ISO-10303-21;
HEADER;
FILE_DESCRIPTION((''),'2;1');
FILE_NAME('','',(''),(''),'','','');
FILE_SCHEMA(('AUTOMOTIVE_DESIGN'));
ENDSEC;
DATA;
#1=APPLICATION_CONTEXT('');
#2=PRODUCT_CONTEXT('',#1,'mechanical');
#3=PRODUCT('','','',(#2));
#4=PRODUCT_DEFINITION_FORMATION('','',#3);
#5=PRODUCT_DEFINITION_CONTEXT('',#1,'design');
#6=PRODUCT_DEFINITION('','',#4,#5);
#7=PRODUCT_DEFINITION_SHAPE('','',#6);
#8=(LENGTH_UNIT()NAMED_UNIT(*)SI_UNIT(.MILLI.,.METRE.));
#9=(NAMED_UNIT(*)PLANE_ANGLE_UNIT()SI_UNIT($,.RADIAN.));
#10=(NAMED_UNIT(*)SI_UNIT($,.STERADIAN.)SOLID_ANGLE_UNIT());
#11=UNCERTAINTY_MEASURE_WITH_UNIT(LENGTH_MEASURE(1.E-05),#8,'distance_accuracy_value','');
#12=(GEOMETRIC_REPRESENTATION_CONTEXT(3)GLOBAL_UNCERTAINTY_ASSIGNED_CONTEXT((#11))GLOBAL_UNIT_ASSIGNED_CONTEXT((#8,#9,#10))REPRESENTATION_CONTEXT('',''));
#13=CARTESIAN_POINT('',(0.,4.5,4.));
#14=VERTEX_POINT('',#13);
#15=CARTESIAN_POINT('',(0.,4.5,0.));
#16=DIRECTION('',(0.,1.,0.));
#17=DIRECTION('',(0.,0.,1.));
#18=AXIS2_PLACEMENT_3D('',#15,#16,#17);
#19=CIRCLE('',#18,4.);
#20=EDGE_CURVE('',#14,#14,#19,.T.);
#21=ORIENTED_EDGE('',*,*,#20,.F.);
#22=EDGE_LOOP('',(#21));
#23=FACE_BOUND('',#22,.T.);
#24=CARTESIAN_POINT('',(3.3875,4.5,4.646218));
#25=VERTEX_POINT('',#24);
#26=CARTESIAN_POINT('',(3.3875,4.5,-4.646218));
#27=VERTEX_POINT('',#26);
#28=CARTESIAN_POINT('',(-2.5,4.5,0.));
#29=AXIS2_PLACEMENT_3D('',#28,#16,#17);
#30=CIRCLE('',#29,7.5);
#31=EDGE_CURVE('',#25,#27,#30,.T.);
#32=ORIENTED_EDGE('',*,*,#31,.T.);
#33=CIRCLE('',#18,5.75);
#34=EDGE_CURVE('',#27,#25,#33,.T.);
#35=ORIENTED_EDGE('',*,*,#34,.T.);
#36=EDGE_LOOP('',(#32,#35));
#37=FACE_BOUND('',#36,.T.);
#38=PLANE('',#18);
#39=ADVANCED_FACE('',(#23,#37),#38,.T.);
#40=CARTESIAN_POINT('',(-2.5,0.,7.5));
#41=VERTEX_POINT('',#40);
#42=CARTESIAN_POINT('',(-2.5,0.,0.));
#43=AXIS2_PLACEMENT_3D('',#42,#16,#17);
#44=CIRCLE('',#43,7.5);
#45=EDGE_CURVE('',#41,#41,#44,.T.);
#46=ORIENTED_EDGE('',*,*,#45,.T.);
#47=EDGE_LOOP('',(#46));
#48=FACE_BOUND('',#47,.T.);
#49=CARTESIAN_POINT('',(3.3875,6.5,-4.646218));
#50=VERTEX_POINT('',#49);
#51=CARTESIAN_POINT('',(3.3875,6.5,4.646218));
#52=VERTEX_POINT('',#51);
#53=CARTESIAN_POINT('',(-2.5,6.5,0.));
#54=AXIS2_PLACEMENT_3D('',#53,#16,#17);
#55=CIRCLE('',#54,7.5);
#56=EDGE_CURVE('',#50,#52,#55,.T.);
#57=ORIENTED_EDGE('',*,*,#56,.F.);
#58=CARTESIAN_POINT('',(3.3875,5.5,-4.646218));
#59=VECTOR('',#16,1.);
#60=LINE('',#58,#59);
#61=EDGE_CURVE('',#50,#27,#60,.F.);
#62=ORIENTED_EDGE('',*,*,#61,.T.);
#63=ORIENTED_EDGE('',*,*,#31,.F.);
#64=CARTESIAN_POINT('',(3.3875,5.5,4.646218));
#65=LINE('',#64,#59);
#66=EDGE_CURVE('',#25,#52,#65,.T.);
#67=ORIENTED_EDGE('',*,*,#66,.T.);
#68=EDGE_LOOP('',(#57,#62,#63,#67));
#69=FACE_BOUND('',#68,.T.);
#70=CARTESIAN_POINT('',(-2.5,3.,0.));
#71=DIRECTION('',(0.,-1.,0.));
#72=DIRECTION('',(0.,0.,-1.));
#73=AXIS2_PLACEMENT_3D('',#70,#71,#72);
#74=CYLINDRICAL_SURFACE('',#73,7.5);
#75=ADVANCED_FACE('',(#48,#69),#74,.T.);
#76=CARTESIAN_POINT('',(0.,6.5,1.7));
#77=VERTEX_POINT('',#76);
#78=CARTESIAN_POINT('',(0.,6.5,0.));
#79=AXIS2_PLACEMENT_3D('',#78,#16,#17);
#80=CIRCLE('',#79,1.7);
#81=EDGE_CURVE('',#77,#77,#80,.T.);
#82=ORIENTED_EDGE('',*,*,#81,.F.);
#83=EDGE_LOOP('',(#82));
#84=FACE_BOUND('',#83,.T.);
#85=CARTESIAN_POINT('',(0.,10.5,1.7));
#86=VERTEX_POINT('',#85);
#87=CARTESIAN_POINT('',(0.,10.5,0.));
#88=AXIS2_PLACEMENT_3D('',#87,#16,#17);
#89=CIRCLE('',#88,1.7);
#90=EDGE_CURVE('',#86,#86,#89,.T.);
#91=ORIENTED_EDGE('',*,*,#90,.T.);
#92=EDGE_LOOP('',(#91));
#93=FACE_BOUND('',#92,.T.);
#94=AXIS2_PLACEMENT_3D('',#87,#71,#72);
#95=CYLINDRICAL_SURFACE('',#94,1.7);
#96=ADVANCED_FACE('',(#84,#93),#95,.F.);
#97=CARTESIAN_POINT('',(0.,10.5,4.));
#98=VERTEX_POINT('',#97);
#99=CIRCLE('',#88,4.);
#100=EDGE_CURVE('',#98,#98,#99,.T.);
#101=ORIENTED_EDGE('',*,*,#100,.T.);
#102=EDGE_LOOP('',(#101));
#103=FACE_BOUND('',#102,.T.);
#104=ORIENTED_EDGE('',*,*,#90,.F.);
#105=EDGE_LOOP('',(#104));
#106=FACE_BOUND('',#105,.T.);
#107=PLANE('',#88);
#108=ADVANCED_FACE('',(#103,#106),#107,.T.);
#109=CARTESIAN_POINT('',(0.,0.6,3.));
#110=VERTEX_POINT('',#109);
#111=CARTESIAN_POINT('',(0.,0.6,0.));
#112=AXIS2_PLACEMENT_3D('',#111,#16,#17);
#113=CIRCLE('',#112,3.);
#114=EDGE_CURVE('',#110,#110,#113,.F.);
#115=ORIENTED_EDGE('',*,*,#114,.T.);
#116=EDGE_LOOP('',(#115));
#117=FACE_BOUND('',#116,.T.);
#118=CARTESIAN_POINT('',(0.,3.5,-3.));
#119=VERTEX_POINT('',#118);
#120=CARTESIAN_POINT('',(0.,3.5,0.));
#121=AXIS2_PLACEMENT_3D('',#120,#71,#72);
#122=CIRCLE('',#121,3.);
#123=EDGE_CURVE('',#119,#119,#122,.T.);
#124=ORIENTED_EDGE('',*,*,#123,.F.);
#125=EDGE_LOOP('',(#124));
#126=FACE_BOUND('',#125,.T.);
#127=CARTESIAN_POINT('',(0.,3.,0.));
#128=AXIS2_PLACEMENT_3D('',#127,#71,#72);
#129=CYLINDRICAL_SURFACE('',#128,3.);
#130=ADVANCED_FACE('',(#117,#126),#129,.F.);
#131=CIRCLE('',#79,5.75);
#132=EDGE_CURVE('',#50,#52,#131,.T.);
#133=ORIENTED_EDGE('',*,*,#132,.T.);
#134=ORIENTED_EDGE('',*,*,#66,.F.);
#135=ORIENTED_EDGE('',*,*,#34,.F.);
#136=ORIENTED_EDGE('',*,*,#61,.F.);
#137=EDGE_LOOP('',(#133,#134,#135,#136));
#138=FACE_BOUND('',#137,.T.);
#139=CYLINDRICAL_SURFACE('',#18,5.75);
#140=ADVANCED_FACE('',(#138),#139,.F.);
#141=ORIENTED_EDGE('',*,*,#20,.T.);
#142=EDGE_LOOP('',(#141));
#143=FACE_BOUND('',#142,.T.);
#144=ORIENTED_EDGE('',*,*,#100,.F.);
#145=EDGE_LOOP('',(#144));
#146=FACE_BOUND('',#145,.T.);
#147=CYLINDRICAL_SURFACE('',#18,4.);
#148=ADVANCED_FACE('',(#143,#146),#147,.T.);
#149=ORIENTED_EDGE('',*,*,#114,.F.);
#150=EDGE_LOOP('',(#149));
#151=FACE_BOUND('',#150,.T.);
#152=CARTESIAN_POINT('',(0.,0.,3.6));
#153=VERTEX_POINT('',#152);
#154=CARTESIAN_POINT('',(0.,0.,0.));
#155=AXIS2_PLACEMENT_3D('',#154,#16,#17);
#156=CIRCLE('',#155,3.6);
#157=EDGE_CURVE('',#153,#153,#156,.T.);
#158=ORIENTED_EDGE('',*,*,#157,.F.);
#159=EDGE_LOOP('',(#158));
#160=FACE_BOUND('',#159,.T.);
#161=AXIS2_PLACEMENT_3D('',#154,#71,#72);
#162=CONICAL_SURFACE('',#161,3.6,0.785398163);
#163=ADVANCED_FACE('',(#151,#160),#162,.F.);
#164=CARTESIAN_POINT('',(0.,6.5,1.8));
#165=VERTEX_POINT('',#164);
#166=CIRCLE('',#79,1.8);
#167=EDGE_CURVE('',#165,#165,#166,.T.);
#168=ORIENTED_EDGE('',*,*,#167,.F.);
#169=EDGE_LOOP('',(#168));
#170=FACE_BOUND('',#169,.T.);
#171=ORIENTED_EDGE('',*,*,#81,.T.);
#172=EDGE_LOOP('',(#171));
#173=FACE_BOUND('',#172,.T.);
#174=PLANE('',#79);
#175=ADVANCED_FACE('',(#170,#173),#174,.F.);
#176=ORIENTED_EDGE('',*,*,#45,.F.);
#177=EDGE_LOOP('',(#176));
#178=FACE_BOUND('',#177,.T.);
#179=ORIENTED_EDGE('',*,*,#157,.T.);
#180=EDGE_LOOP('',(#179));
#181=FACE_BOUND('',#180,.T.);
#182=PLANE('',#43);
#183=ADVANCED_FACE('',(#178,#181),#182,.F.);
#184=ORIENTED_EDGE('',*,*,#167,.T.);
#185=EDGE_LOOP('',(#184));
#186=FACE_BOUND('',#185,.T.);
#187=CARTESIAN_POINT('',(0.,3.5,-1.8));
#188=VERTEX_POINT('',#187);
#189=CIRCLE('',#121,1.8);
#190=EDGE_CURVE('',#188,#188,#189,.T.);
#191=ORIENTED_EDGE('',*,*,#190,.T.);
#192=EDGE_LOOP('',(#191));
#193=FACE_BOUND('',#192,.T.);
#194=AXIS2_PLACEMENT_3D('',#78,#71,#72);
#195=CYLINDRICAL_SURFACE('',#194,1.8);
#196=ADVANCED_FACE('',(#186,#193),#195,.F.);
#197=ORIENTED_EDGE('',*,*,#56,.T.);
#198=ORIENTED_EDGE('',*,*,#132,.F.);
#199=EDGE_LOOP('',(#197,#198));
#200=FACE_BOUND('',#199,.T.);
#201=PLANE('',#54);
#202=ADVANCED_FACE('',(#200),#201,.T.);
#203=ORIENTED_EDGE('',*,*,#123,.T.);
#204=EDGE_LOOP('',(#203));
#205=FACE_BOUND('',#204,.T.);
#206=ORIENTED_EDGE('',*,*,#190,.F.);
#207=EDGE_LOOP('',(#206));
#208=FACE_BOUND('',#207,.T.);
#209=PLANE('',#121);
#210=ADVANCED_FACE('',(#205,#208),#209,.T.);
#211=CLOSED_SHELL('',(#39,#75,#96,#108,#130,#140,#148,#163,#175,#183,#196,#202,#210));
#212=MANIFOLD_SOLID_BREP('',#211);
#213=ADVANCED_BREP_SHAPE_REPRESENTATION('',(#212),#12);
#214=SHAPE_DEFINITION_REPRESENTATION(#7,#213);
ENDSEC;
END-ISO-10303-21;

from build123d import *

# Parameters (mm, degrees)
SKETCH_1_R          = 7.5
SKETCH_1_R_2        = 3
EXTRUDE_1_DEPTH     = 3
SKETCH_2_R          = 7.5
SKETCH_2_R_2        = 1.8
EXTRUDE_2_DEPTH     = 3.5
SKETCH_3_R          = 5.75
SKETCH_3_R_2        = 4
CUT_EXTRUDE_1_DEPTH = 2
SKETCH_4_R          = 4
SKETCH_4_R_2        = 1.7
EXTRUDE_3_DEPTH     = 4
SKETCH_5_R          = 3
CUT_EXTRUDE_2_DEPTH = 3.5
CHAMFER_1_SIZE      = 0.6


with BuildPart() as part:
    # Эскиз1 → Бобышка-Вытянуть1 (new body)
    with BuildSketch(Plane(origin=(0, 0, 0), x_dir=(1, 0, 0), z_dir=(0, 1, 0))):
        with Locations((-2.5, 0)):
            Circle(SKETCH_1_R)
        Circle(SKETCH_1_R_2, mode=Mode.SUBTRACT)
    extrude(amount=EXTRUDE_1_DEPTH)

    # Эскиз2 → Бобышка-Вытянуть2 (add)
    with BuildSketch(Plane(origin=(0, 3, 0), x_dir=(1, 0, 0), z_dir=(0, 1, 0))):
        with Locations((-2.5, 0)):
            Circle(SKETCH_2_R)
        Circle(SKETCH_2_R_2, mode=Mode.SUBTRACT)
    extrude(amount=EXTRUDE_2_DEPTH)

    # Эскиз3 → Вырез-Вытянуть1 (cut)
    with BuildSketch(Plane(origin=(0, 6.5, 0), x_dir=(1, 0, 0), z_dir=(0, 1, 0))):
        Circle(SKETCH_3_R)
        Circle(SKETCH_3_R_2, mode=Mode.SUBTRACT)
    extrude(amount=-CUT_EXTRUDE_1_DEPTH, mode=Mode.SUBTRACT)

    # Эскиз4 → Бобышка-Вытянуть3 (add)
    with BuildSketch(Plane(origin=(0, 6.5, 0), x_dir=(1, 0, 0), z_dir=(0, 1, 0))):
        Circle(SKETCH_4_R)
        Circle(SKETCH_4_R_2, mode=Mode.SUBTRACT)
    extrude(amount=EXTRUDE_3_DEPTH)

    # Эскиз5 → Вырез-Вытянуть2 (cut)
    with BuildSketch(Plane.XZ):
        Circle(SKETCH_5_R)
    extrude(amount=-CUT_EXTRUDE_2_DEPTH, mode=Mode.SUBTRACT)

    # Фаска1
    chamfer_1_edges = [part.edges().sort_by_distance(p)[0] for p in [
        (-3, 0, 0),
    ]]
    chamfer(chamfer_1_edges, length=CHAMFER_1_SIZE)


solid = part.part
